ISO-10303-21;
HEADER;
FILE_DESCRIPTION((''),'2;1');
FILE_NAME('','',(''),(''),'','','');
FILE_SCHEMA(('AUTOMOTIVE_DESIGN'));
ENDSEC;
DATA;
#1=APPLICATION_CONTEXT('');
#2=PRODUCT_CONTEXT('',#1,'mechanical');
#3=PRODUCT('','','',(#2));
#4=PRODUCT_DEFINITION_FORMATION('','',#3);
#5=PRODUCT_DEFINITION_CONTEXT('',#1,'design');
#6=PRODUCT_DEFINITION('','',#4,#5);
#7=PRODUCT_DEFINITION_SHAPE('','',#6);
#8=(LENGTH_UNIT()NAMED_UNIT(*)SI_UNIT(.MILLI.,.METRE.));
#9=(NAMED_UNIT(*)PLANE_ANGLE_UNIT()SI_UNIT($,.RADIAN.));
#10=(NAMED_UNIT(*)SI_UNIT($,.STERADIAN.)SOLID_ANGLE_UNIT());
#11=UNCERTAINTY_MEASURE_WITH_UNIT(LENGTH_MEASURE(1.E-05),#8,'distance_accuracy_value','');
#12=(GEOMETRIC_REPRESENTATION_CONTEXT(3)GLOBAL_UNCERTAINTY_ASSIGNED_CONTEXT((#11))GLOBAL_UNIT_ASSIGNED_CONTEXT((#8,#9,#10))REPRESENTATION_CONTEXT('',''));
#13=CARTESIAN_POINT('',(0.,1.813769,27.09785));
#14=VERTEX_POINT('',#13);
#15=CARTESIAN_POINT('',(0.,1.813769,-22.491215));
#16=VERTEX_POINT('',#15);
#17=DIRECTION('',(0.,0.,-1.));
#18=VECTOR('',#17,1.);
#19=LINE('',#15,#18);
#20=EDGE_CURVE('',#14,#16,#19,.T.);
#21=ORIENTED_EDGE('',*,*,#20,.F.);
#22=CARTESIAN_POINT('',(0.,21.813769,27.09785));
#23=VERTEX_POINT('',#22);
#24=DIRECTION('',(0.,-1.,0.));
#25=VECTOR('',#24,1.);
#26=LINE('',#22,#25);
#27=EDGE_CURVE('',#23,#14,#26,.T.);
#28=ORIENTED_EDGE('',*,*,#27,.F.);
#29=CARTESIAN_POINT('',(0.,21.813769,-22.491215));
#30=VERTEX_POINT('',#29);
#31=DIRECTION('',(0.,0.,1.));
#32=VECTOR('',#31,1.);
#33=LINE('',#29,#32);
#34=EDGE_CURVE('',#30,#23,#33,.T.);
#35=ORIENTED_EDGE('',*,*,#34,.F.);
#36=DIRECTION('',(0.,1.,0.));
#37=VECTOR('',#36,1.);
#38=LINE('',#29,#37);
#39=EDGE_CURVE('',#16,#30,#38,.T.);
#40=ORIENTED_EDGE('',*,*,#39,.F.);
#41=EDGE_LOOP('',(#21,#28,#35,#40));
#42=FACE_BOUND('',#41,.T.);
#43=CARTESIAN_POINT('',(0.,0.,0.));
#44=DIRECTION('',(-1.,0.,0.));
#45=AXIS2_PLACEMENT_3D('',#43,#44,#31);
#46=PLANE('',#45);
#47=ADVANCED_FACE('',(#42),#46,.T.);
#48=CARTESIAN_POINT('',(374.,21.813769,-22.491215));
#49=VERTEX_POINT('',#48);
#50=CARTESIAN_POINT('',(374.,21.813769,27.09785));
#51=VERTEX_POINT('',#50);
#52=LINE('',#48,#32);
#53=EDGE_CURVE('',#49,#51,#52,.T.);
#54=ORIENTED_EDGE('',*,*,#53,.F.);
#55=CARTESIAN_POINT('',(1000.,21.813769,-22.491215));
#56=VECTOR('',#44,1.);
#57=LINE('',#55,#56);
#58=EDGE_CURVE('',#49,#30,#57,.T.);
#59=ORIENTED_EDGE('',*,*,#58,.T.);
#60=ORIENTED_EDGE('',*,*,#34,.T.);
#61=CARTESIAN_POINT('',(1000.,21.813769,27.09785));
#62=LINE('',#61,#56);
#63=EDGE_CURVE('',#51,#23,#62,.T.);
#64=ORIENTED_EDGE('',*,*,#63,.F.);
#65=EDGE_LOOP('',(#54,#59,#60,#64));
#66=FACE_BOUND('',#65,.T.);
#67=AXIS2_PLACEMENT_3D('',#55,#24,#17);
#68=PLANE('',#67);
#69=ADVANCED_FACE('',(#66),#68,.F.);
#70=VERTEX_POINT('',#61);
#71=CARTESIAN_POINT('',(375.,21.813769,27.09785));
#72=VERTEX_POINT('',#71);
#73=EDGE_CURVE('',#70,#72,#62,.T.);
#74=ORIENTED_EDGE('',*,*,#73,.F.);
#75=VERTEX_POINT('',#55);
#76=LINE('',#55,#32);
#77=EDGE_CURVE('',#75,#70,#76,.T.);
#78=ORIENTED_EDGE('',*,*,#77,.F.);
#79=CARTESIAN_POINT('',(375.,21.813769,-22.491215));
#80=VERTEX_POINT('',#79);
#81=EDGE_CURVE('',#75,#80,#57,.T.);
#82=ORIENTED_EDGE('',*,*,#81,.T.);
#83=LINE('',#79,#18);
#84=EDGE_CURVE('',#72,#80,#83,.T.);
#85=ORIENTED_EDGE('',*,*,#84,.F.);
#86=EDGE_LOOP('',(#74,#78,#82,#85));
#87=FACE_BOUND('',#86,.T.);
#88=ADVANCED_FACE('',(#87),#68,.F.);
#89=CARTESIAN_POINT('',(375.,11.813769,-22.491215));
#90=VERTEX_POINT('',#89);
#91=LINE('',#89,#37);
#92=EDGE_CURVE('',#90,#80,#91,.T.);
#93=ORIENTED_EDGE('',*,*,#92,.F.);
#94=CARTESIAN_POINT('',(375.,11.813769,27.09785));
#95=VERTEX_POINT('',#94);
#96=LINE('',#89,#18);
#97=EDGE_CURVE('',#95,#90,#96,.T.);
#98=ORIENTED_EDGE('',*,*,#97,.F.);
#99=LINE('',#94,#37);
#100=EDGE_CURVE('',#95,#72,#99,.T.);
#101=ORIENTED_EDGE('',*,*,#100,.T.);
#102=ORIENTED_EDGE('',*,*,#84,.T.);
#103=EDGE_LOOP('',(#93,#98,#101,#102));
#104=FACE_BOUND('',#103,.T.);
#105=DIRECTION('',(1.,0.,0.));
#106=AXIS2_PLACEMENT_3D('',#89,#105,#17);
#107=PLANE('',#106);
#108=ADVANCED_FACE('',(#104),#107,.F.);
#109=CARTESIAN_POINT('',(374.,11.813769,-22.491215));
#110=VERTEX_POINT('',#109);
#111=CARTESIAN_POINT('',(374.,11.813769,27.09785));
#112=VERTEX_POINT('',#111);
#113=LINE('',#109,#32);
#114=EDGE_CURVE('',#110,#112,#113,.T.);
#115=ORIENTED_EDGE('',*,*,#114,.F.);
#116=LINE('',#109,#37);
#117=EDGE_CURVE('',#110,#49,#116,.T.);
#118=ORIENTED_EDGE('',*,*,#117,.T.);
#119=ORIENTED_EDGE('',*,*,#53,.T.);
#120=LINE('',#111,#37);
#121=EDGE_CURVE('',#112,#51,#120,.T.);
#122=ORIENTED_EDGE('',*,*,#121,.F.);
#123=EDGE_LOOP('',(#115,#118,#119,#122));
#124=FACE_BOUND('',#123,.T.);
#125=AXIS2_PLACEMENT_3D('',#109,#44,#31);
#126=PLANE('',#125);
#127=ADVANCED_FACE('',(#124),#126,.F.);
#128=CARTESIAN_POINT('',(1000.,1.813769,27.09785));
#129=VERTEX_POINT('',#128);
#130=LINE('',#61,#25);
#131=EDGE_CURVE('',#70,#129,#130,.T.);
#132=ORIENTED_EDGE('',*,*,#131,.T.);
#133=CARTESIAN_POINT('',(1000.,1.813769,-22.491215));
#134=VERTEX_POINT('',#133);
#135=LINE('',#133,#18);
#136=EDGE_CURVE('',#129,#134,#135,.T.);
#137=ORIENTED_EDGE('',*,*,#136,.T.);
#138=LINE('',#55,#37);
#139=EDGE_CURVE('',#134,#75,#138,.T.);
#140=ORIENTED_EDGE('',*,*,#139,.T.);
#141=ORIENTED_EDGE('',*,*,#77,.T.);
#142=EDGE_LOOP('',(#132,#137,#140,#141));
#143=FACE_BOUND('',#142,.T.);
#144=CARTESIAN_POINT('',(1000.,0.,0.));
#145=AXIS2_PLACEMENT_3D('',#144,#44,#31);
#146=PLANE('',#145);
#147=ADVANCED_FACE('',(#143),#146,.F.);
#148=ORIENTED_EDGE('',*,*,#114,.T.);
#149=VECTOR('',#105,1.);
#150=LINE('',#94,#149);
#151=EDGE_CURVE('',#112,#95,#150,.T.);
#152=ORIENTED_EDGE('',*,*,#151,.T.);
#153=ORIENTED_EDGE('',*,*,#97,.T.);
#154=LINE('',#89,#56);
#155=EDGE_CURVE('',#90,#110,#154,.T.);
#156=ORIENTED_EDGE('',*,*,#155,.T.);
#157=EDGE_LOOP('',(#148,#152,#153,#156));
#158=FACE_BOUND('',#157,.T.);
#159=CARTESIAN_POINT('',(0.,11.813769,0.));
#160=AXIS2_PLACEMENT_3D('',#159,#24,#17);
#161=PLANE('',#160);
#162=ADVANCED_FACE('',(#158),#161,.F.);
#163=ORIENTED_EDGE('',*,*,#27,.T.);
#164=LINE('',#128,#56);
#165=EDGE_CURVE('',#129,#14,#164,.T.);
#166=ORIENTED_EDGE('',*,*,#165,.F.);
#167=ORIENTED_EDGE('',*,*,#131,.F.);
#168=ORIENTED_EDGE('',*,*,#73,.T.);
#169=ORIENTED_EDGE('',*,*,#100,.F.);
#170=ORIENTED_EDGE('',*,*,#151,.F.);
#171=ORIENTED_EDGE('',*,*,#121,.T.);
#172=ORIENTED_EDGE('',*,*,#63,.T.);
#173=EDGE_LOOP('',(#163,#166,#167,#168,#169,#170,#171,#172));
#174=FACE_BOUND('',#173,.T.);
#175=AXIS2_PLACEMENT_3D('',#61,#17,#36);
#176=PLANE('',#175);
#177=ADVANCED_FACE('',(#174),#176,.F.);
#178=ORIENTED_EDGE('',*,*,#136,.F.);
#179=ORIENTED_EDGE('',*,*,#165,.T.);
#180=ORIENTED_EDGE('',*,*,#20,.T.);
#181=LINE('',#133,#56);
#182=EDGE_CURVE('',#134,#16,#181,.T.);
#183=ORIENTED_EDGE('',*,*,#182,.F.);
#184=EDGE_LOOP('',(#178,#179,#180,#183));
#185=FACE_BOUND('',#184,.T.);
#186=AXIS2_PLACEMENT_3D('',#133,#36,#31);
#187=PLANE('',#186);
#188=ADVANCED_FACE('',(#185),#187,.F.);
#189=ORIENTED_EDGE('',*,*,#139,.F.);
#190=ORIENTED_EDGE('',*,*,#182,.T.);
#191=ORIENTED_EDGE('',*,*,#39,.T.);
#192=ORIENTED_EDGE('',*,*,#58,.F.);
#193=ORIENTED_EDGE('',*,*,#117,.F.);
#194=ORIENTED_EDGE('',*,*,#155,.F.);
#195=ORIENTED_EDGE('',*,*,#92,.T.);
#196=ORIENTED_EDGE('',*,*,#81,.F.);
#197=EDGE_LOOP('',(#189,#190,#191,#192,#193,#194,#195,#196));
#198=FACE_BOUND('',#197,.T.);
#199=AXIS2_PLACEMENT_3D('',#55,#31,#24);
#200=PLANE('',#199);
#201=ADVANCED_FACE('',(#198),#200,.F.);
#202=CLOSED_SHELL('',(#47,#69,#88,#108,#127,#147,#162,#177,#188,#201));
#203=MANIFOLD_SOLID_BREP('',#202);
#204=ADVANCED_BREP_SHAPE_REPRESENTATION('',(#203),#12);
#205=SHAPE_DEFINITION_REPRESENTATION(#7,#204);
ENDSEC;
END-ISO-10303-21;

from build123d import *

# Parameters (mm, degrees)
SKETCH1_W           = 49.589064845
SKETCH1_H           = 20
BOSS_EXTRUDE1_DEPTH = 1000
SKETCH2_W           = 1
SKETCH2_H           = 49.589064845
CUT_EXTRUDE1_DEPTH  = 10


with BuildPart() as part:
    # Sketch1 → Boss-Extrude1 (new body)
    with BuildSketch(Plane(origin=(0, 0, 0), x_dir=(0, 0, -1), z_dir=(1, 0, 0))):
        with Locations((-2.30331722, 11.813768961)):
            Rectangle(SKETCH1_W, SKETCH1_H)
    extrude(amount=BOSS_EXTRUDE1_DEPTH)

    # Sketch2 → Cut-Extrude1 (cut)
    with BuildSketch(Plane(origin=(0, 21.813768961, 0), x_dir=(1, 0, 0), z_dir=(0, 1, 0))):
        with Locations((374.5, -2.30331722)):
            Rectangle(SKETCH2_W, SKETCH2_H)
    extrude(amount=-CUT_EXTRUDE1_DEPTH, mode=Mode.SUBTRACT)


solid = part.part
